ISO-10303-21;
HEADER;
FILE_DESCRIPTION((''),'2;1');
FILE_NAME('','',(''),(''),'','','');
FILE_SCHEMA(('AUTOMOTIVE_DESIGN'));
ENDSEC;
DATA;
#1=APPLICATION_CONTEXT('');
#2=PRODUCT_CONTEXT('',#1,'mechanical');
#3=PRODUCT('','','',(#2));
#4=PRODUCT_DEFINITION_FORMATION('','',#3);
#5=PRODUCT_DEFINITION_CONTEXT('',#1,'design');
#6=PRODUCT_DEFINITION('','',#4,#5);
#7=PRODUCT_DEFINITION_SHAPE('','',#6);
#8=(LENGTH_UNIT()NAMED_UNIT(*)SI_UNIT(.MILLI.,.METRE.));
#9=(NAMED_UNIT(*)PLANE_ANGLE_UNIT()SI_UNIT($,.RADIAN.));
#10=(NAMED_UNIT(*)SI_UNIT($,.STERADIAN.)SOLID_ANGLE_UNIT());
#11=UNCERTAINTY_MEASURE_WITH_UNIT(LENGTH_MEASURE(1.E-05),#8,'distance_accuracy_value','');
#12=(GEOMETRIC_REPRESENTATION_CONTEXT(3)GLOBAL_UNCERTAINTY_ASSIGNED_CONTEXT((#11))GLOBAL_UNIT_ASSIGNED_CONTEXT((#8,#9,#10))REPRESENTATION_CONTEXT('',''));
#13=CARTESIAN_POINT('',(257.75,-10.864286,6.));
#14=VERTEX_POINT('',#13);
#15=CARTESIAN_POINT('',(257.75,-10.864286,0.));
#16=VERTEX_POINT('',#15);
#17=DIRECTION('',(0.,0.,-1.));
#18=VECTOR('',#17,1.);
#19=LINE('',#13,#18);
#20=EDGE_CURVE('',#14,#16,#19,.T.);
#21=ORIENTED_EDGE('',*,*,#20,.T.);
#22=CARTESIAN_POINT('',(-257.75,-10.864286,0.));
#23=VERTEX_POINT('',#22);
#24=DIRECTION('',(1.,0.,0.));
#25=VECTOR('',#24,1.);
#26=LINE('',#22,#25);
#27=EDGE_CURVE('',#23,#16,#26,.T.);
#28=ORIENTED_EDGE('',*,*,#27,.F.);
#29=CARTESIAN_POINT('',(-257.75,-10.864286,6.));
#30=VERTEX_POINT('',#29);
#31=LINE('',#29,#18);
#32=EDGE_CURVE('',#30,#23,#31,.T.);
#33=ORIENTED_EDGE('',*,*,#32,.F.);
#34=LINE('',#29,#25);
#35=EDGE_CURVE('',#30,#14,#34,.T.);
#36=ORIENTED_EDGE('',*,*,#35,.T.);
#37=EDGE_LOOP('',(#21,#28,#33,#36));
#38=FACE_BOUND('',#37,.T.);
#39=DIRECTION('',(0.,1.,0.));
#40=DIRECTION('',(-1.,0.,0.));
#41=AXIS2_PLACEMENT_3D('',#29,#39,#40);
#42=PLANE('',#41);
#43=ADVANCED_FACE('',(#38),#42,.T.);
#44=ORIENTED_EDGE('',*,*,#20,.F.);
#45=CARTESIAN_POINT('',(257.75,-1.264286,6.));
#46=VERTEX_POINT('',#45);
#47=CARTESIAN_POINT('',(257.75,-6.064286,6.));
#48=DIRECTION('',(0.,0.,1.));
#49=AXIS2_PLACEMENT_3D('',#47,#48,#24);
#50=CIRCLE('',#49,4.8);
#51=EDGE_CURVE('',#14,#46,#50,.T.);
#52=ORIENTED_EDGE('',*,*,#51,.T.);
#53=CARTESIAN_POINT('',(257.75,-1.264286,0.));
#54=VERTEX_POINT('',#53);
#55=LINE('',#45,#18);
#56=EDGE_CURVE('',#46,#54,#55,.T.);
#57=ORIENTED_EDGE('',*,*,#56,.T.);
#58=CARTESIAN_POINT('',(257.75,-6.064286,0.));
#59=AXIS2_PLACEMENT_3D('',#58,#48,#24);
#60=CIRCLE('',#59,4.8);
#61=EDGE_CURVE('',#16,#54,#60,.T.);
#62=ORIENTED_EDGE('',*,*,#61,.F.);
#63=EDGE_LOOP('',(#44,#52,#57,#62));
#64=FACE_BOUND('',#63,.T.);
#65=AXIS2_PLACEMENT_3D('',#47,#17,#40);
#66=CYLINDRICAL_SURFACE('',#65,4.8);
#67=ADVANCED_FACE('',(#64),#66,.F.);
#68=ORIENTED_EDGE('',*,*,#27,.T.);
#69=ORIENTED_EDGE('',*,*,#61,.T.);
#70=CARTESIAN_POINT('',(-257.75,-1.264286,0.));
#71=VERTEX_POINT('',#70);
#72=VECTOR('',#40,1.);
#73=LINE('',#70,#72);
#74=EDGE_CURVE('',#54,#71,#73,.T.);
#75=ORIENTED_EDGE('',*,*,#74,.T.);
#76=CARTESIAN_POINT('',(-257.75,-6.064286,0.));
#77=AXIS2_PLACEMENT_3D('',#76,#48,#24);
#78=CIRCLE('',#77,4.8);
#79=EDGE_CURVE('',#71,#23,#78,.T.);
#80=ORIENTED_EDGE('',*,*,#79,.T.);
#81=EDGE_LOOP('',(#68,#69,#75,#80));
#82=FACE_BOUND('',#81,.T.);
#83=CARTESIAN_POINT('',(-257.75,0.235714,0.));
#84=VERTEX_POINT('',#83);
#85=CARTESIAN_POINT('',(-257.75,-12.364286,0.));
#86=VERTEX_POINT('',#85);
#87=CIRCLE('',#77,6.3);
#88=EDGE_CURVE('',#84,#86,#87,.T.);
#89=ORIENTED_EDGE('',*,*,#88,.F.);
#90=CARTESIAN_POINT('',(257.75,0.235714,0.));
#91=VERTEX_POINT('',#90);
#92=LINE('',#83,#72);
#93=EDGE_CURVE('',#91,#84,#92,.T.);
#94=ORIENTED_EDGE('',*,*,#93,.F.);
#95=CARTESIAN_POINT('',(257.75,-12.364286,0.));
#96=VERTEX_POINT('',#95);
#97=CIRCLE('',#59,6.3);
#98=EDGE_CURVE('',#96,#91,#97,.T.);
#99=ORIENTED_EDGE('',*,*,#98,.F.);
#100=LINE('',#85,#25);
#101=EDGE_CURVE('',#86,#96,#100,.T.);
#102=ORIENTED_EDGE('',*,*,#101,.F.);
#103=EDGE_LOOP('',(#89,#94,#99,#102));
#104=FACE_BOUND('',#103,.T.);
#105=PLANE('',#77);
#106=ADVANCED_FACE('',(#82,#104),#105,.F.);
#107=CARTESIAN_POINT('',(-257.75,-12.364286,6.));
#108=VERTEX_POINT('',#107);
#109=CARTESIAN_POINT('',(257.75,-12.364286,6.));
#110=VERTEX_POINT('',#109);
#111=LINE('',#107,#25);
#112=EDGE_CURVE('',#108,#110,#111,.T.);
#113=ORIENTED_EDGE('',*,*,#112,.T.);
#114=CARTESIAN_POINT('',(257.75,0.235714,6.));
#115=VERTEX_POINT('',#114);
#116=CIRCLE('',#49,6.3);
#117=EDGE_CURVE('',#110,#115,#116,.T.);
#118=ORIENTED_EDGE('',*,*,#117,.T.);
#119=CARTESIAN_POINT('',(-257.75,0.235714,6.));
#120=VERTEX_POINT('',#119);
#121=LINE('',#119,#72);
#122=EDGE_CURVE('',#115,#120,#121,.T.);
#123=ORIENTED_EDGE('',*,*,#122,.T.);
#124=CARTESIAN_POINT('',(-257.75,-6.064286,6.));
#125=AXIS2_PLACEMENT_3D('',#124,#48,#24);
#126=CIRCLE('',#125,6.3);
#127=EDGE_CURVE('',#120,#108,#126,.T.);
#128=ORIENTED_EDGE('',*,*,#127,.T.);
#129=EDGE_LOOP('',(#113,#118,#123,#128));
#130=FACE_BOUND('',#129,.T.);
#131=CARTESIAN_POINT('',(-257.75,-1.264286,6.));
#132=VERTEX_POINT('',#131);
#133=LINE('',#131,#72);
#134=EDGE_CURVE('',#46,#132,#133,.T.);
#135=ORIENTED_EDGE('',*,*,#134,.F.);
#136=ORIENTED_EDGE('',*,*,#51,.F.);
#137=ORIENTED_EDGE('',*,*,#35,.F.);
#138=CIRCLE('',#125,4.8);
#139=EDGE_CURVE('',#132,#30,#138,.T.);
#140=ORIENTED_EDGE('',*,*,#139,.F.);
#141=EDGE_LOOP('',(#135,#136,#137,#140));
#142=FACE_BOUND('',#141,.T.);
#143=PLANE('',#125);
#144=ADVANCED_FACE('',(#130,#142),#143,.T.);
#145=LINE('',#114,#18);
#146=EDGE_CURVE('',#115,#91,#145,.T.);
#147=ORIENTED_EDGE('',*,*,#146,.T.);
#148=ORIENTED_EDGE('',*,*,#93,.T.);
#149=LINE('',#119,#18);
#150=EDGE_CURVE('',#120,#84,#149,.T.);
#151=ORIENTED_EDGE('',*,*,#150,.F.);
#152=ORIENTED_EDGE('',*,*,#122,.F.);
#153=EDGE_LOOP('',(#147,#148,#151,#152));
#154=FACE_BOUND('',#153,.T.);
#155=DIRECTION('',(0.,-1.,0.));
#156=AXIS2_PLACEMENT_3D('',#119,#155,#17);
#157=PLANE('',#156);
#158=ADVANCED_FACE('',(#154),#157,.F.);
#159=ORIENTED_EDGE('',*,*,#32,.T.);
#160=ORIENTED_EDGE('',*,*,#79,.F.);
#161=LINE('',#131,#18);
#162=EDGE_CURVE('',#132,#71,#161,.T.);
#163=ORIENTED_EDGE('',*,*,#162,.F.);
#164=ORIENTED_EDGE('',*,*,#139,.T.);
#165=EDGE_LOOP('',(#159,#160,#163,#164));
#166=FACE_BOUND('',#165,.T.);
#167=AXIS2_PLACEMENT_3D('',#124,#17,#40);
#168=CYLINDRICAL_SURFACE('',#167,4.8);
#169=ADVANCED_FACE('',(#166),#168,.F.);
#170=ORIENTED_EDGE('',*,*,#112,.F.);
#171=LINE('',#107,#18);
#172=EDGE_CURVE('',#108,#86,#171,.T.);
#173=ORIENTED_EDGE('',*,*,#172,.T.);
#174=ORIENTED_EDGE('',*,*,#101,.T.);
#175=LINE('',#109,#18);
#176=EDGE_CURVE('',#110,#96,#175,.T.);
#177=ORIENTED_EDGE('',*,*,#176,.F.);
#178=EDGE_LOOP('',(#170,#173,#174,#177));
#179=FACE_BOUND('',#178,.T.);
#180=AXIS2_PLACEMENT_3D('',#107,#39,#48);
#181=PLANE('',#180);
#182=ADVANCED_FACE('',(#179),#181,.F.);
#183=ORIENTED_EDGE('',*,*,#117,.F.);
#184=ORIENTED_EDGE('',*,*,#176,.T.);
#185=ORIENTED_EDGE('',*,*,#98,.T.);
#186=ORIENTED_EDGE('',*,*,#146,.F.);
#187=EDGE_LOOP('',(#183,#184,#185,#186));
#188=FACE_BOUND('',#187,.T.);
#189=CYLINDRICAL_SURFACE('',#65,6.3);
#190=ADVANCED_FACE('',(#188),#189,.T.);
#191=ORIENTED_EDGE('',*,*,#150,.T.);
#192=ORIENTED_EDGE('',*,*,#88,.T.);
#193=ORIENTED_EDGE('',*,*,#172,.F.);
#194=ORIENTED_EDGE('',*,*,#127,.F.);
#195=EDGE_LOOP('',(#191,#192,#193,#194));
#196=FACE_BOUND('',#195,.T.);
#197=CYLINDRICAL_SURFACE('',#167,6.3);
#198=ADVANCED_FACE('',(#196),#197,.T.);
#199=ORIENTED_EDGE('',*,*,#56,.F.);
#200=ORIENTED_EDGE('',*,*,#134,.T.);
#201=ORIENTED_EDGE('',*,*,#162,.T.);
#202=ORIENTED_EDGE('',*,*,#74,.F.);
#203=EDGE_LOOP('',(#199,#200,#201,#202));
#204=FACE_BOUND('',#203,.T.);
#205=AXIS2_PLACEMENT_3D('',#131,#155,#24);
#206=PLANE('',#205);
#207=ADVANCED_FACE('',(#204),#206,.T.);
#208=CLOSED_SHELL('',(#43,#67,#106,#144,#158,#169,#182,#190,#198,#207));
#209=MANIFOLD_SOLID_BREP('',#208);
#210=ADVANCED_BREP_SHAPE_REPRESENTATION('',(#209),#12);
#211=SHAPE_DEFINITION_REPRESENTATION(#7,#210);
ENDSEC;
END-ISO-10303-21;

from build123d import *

# Parameters (mm, degrees)
BOSS_EXTRUDE1_DEPTH = 6


with BuildPart() as part:
    # Sketch1 → Boss-Extrude1 (new body)
    with BuildSketch(Plane.XY):
        with BuildLine():
            Line((-257.75, 0.235714286), (257.75, 0.235714286))
            ThreePointArc((257.75, 0.235714286), (264.05, -6.064285714), (257.75, -12.364285714))
            Line((257.75, -12.364285714), (-257.75, -12.364285714))
            ThreePointArc((-257.75, -12.364285714), (-264.05, -6.064285714), (-257.75, 0.235714286))
        make_face()
        with BuildLine():
            Line((-257.75, -10.864285714), (257.75, -10.864285714))
            ThreePointArc((257.75, -10.864285714), (262.55, -6.064285714), (257.75, -1.264285714))
            Line((257.75, -1.264285714), (-257.75, -1.264285714))
            ThreePointArc((-257.75, -1.264285714), (-262.55, -6.064285714), (-257.75, -10.864285714))
        make_face(mode=Mode.SUBTRACT)
    extrude(amount=BOSS_EXTRUDE1_DEPTH)


solid = part.part
